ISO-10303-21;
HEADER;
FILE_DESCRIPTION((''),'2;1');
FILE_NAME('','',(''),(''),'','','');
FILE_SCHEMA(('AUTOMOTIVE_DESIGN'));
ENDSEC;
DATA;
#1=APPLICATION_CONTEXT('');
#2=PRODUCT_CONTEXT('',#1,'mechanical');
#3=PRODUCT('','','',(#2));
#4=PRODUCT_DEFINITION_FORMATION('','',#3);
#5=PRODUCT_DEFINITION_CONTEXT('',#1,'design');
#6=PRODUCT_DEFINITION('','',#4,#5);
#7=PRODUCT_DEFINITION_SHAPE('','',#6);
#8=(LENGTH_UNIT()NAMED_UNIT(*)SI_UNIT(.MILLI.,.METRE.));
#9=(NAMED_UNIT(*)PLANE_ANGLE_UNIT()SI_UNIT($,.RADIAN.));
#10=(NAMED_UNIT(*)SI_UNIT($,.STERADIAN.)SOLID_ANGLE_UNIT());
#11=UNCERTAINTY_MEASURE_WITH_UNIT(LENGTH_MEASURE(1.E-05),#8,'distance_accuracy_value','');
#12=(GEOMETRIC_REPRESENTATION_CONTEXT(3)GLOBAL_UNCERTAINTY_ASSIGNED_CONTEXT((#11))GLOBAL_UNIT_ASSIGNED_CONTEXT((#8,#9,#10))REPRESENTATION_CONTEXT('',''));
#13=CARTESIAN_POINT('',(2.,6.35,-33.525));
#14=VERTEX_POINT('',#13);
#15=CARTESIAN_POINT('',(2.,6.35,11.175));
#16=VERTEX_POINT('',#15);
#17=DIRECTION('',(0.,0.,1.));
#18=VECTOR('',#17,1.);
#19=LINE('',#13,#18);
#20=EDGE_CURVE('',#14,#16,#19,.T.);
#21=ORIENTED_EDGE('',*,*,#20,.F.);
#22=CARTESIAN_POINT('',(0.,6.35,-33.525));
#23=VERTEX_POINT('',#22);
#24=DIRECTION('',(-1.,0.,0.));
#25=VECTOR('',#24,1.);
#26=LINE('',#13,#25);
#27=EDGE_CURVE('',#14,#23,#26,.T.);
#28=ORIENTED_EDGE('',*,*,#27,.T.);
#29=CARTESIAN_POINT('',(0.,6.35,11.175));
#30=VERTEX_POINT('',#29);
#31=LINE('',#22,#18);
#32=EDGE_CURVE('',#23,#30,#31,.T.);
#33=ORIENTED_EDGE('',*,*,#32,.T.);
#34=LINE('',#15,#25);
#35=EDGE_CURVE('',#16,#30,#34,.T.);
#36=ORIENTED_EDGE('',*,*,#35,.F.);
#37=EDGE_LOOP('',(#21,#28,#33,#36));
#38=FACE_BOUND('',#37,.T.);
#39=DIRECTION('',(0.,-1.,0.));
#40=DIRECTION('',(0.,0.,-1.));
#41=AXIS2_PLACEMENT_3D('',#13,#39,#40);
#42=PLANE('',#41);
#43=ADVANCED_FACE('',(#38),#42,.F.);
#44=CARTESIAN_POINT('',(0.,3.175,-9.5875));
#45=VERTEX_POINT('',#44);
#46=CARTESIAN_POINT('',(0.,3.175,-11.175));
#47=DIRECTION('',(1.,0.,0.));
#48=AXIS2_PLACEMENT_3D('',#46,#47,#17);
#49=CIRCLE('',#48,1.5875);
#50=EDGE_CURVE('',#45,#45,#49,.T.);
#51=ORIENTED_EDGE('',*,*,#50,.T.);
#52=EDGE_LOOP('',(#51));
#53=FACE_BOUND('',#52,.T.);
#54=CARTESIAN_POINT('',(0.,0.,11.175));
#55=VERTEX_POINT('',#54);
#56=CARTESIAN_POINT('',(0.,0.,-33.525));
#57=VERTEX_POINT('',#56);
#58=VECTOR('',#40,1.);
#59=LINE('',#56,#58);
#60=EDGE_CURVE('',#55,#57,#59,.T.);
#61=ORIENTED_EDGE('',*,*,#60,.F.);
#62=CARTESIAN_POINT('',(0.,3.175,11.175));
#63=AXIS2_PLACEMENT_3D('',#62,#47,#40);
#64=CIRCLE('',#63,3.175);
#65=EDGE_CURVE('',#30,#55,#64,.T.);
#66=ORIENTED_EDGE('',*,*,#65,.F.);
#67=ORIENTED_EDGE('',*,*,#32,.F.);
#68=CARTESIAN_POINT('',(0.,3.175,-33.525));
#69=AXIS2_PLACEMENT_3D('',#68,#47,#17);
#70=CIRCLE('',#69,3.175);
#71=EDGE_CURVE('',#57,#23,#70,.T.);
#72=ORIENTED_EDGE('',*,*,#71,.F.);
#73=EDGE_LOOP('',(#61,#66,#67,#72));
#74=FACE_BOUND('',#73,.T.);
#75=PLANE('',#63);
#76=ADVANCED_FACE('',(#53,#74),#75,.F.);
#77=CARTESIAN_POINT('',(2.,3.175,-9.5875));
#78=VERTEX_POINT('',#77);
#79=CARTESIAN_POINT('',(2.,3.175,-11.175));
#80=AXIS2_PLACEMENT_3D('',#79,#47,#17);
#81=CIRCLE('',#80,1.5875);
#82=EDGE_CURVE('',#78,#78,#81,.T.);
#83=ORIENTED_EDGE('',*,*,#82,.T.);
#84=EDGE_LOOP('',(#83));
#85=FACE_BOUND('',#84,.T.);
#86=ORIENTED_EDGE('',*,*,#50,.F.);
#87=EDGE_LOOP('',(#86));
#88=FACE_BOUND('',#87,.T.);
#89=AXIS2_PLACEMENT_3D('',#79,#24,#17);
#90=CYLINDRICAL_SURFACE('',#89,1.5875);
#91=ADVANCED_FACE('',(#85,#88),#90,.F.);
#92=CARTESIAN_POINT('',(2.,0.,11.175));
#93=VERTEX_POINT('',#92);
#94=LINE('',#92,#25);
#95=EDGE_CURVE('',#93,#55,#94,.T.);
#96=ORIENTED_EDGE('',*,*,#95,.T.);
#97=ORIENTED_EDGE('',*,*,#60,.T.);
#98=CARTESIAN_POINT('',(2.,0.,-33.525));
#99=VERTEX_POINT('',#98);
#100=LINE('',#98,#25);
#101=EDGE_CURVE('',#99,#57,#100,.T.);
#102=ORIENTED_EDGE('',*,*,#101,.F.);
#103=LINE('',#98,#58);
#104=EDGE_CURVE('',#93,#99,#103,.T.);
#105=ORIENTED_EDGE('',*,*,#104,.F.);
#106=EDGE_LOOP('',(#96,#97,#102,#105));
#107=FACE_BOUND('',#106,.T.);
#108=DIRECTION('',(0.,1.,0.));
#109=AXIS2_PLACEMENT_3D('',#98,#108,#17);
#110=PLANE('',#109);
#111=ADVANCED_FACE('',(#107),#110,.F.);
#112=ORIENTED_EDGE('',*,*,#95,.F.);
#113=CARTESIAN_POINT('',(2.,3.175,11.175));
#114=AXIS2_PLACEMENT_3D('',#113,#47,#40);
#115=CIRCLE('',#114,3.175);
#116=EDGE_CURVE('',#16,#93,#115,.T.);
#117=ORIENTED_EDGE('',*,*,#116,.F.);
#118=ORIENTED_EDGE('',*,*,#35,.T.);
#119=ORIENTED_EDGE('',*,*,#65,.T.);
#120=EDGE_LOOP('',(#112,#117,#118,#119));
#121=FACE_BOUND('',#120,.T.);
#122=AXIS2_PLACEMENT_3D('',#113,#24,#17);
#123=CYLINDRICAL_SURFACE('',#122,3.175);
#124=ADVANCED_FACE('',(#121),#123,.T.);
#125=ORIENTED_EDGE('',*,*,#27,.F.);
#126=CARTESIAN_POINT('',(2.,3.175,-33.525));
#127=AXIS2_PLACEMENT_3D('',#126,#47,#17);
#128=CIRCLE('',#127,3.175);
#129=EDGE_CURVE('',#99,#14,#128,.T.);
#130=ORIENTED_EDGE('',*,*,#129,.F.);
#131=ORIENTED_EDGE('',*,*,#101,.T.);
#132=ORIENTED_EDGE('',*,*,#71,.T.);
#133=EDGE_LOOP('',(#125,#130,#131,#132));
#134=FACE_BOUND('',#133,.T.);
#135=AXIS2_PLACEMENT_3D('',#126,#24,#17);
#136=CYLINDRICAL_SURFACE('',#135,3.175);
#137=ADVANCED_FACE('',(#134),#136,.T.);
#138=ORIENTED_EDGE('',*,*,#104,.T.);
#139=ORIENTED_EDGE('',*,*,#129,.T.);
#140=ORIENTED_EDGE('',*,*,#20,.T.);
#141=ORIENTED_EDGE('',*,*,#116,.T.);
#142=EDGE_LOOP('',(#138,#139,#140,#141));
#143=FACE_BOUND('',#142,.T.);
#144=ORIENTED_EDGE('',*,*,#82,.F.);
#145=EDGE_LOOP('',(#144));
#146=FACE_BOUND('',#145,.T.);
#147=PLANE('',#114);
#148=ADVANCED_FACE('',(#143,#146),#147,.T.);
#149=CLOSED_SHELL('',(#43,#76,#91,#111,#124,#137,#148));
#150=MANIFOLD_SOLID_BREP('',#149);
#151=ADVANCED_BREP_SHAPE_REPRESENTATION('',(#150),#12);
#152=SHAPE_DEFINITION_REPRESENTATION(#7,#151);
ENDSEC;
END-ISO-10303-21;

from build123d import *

# Parameters (mm, degrees)
SKETCH1_R           = 1.5875
BOSS_EXTRUDE1_DEPTH = 2


with BuildPart() as part:
    # Sketch1 → Boss-Extrude1 (new body)
    with BuildSketch(Plane(origin=(0, 0, 0), x_dir=(0, 0, -1), z_dir=(1, 0, 0))):
        with BuildLine():
            Line((33.525, 0), (-11.175, 0))
            ThreePointArc((-11.175, 0), (-14.35, 3.175), (-11.175, 6.35))
            Line((-11.175, 6.35), (33.525, 6.35))
            ThreePointArc((33.525, 6.35), (36.7, 3.175), (33.525, 0))
        make_face()
        with Locations(Location((11.175, 3.175, 0), (0, 0, 180))):
            Circle(SKETCH1_R, mode=Mode.SUBTRACT)
    extrude(amount=BOSS_EXTRUDE1_DEPTH)


solid = part.part
